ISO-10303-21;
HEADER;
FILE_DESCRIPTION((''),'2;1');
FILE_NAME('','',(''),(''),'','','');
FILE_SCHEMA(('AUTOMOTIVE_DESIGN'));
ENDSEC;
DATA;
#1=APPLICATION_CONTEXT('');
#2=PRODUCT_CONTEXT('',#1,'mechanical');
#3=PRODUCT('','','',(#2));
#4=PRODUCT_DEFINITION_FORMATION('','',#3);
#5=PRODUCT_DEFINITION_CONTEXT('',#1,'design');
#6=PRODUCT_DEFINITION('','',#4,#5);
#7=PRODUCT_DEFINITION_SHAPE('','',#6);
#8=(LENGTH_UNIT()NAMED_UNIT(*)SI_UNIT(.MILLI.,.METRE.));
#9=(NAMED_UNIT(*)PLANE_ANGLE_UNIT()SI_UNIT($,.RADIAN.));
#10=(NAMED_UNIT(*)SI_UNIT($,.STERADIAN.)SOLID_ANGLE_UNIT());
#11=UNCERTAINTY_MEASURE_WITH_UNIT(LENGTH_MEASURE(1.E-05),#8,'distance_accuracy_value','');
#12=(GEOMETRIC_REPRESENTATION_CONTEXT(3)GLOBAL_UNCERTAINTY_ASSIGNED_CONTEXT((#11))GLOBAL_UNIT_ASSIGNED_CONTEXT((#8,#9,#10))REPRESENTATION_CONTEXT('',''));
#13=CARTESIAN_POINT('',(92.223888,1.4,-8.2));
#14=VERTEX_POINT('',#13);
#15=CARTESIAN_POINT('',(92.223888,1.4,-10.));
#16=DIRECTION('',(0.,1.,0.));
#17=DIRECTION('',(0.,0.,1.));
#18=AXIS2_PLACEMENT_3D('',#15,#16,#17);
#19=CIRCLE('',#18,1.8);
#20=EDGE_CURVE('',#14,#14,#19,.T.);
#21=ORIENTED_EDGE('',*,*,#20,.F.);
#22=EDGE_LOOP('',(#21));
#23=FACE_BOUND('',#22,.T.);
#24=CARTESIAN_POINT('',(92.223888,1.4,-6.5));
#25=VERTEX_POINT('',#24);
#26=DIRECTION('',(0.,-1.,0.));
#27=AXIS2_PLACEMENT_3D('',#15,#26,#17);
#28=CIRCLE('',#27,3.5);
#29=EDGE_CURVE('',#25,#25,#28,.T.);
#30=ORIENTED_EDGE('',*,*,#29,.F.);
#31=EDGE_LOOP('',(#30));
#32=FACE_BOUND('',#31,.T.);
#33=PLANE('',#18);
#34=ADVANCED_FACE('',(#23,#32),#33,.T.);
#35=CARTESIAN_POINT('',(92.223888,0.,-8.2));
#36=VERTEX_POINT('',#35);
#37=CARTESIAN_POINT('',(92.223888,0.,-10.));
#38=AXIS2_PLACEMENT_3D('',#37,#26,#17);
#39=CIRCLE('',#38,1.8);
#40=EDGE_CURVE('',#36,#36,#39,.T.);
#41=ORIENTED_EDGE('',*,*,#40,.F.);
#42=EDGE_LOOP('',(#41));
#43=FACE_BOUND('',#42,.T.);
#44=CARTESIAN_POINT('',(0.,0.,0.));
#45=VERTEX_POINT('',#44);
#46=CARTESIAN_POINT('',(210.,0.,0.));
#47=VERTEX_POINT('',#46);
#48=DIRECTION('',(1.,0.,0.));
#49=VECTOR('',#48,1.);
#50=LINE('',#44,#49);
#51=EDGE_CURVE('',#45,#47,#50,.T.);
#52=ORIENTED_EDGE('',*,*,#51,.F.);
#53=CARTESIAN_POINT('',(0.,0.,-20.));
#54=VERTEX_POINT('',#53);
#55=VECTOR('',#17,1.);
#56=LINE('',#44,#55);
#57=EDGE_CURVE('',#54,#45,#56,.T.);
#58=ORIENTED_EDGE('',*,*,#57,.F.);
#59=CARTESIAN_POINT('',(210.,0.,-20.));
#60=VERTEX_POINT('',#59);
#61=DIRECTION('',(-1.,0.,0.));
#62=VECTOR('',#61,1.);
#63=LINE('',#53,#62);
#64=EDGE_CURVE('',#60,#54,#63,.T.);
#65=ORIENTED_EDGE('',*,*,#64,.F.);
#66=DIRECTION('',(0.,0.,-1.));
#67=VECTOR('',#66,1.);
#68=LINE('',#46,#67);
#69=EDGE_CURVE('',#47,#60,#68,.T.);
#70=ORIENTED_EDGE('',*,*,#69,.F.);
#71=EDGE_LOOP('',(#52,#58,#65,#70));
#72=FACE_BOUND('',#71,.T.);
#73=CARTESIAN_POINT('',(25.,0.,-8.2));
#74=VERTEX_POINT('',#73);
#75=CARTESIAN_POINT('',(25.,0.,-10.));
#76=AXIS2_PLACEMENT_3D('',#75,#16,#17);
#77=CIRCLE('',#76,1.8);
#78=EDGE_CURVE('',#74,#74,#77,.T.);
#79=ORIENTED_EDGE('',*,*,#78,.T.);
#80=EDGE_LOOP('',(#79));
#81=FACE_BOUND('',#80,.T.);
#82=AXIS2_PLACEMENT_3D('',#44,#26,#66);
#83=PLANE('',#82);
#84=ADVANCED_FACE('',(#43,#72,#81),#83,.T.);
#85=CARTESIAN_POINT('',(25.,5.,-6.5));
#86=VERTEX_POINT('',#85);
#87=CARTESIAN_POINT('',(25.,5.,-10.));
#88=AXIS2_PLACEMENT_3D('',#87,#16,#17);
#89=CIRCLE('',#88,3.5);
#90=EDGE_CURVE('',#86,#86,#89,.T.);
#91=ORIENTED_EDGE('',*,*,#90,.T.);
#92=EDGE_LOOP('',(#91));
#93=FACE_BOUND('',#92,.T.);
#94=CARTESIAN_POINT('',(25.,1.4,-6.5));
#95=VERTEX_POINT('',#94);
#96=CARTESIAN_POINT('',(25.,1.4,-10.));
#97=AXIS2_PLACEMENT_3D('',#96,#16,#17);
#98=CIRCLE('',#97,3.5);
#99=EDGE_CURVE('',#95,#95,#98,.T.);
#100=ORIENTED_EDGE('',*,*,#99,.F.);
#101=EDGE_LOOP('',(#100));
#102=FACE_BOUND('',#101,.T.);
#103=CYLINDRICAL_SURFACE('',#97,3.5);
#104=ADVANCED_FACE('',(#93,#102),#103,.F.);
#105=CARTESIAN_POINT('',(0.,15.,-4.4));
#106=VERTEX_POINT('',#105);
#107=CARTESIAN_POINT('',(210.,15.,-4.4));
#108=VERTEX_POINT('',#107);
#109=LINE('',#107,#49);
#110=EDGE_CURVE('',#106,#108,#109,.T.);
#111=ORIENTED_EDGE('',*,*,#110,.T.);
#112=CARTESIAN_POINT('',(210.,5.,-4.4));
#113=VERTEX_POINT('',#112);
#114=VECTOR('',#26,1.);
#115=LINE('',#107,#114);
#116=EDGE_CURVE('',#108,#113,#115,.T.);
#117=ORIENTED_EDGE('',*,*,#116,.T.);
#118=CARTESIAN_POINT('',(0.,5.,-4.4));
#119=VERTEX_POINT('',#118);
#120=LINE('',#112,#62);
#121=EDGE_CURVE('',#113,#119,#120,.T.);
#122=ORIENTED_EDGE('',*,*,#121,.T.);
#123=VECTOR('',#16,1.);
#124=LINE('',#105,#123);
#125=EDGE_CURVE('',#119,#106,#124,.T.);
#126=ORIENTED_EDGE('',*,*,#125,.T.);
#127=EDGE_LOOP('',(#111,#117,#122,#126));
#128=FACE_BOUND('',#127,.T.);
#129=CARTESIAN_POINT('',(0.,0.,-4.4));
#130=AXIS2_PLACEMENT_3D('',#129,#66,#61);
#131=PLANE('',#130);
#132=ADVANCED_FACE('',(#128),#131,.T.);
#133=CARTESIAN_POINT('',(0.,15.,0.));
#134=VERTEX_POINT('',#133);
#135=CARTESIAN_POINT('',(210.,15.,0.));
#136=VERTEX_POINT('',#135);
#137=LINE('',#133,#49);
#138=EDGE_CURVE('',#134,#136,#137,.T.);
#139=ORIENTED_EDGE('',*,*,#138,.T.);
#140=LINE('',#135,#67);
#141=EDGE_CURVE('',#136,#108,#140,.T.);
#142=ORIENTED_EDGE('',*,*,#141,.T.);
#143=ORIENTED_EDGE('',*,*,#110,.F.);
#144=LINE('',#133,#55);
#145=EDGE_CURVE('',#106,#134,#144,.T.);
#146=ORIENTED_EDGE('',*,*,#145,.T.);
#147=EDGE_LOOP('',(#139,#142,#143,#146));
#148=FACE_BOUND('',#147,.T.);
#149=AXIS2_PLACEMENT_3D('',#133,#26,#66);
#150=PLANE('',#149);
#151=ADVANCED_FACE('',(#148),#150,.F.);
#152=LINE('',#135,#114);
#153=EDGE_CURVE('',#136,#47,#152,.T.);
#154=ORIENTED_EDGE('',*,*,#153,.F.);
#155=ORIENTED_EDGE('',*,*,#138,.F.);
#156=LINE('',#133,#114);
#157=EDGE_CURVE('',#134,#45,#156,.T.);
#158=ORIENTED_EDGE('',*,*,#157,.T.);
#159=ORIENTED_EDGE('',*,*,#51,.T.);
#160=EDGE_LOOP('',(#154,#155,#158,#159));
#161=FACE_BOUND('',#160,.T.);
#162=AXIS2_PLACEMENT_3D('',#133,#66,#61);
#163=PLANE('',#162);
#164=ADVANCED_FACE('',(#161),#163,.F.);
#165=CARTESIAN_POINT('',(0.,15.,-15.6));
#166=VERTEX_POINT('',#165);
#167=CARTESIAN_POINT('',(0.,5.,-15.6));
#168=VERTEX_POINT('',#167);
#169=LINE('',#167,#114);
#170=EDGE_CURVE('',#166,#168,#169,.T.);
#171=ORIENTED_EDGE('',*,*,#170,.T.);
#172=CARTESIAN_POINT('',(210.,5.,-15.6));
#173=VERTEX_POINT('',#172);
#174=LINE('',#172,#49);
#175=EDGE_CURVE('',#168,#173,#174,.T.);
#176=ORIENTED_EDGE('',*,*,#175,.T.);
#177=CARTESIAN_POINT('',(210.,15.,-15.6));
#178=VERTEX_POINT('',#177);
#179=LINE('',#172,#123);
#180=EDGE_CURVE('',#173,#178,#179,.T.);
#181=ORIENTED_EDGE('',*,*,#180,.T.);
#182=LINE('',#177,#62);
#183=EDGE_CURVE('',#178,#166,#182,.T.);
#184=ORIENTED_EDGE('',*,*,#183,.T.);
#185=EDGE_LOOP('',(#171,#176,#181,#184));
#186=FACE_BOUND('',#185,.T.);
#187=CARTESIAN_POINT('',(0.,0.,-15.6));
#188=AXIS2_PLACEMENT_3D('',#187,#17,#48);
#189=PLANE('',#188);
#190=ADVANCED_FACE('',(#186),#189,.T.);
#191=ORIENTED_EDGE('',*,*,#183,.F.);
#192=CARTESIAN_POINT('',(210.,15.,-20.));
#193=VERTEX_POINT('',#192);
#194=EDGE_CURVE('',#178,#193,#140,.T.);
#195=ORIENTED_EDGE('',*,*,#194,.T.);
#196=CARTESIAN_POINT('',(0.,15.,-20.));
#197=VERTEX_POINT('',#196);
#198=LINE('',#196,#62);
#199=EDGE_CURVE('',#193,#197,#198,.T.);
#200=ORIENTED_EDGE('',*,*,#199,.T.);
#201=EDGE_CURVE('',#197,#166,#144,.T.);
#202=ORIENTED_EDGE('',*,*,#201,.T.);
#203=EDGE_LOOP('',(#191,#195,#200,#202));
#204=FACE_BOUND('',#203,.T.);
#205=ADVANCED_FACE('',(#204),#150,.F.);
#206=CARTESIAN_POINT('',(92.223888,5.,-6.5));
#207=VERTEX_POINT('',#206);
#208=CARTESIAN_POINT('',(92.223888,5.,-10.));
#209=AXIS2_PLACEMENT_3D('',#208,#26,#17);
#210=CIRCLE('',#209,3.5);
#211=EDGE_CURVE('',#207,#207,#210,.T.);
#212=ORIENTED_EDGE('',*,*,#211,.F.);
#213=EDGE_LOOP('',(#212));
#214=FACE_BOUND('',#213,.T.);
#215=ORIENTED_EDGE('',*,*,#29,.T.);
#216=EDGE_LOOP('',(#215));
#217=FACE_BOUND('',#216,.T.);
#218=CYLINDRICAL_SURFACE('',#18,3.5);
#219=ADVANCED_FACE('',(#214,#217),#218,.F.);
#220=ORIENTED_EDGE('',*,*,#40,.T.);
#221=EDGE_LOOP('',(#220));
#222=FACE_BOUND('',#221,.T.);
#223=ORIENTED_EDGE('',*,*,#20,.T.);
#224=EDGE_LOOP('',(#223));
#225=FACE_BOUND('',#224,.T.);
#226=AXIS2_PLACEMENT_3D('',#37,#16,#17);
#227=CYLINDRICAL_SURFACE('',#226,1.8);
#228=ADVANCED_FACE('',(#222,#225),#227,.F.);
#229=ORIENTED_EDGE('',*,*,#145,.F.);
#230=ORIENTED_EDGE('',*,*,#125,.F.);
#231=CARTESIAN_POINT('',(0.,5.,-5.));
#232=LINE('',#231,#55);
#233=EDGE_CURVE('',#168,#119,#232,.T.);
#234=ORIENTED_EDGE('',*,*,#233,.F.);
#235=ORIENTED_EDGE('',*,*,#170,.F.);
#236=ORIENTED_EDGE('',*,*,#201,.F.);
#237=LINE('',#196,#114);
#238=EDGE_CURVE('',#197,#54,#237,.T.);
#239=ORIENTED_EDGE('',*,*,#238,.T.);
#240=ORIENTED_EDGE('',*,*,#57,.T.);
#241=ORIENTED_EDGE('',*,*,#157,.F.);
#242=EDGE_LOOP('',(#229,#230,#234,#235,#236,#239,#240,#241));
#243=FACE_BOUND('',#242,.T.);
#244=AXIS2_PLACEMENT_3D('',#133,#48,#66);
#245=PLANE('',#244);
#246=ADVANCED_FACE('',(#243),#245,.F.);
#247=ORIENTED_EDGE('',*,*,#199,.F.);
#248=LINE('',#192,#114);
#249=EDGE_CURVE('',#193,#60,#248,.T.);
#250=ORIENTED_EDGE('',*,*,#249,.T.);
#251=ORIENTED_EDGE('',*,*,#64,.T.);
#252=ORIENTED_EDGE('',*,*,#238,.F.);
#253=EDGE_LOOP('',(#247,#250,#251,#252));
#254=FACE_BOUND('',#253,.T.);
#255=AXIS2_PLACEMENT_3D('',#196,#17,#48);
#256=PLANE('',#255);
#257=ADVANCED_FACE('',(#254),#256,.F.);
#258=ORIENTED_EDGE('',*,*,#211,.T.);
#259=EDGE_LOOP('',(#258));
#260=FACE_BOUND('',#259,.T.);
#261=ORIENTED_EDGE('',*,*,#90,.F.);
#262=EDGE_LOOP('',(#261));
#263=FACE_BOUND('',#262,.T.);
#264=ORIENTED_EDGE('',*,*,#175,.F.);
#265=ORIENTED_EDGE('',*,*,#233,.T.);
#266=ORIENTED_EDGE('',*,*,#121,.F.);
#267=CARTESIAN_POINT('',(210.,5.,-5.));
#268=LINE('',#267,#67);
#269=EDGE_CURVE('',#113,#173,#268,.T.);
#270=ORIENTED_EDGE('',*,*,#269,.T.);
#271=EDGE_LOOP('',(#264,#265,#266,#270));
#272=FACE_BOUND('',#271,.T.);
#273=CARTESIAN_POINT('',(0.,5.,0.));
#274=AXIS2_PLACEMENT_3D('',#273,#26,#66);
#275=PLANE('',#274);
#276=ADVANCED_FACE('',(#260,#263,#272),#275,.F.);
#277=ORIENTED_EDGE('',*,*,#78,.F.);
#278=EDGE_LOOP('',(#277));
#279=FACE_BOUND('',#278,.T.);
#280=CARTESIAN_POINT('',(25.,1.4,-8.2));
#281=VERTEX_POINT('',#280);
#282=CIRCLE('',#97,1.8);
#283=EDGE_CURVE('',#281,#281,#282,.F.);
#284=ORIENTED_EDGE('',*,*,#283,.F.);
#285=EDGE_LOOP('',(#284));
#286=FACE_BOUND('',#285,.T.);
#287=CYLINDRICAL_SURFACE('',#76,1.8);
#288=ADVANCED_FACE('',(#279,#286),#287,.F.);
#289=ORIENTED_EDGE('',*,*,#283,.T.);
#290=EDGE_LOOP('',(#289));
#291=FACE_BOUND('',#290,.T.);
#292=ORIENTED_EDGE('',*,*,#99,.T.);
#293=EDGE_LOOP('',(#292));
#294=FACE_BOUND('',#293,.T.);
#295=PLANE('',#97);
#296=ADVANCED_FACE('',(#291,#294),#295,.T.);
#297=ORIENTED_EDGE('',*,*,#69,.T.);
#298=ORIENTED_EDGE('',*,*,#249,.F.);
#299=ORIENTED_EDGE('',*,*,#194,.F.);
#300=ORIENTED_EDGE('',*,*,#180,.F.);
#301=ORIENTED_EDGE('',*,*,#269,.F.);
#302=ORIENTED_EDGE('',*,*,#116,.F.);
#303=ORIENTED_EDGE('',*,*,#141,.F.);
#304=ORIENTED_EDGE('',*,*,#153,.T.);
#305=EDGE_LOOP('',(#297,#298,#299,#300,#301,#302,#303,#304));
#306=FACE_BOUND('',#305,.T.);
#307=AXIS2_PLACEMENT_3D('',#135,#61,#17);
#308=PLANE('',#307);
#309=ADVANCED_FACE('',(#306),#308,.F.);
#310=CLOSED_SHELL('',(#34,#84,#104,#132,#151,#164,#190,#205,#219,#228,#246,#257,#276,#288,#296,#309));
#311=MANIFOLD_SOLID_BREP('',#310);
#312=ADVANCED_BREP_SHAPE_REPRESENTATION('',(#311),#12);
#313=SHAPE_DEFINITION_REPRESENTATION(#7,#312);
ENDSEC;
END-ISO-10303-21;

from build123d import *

# Parameters (mm, degrees)
SKETCH1_W           = 210
SKETCH1_H           = 20
BOSS_EXTRUDE1_DEPTH = 15
SKETCH2_W           = 210
SKETCH2_H           = 10
CUT_EXTRUDE1_DEPTH  = 10
SKETCH3_R           = 1.8
CUT_EXTRUDE2_DEPTH  = 6
SKETCH5_R           = 3.5
CUT_EXTRUDE3_DEPTH  = 3.6
SKETCH6_W           = 210
SKETCH6_H           = 10
CUT_EXTRUDE4_DEPTH  = 0.6
SKETCH7_W           = 210
SKETCH7_H           = 10
CUT_EXTRUDE5_DEPTH  = 0.6


with BuildPart() as part:
    # Sketch1 → Boss-Extrude1 (new body)
    with BuildSketch(Plane(origin=(0, 0, 0), x_dir=(1, 0, 0), z_dir=(0, 1, 0))):
        with Locations((105, 10)):
            Rectangle(SKETCH1_W, SKETCH1_H)
    extrude(amount=BOSS_EXTRUDE1_DEPTH)

    # Sketch2 → Cut-Extrude1 (cut)
    with BuildSketch(Plane(origin=(0, 15, 0), x_dir=(1, 0, 0), z_dir=(0, 1, 0))):
        with Locations((105, 10)):
            Rectangle(SKETCH2_W, SKETCH2_H)
    extrude(amount=-CUT_EXTRUDE1_DEPTH, mode=Mode.SUBTRACT)

    # Sketch3 → Cut-Extrude2 (cut, through all)
    with BuildSketch(Plane(origin=(0, 5, 0), x_dir=(1, 0, 0), z_dir=(0, 1, 0))):
        with Locations((25, 10)):
            Circle(SKETCH3_R)
    cut_extrude2 = extrude(amount=-CUT_EXTRUDE2_DEPTH, mode=Mode.SUBTRACT)

    # Sketch5 → Cut-Extrude3 (cut)
    with BuildSketch(Plane(origin=(0, 5, 0), x_dir=(1, 0, 0), z_dir=(0, 1, 0))):
        with Locations((25, 10)):
            Circle(SKETCH5_R)
    cut_extrude3 = extrude(amount=-CUT_EXTRUDE3_DEPTH, mode=Mode.SUBTRACT)

    # Mirror2: Cut-Extrude2, Cut-Extrude3 across plane
    add(cut_extrude2.mirror(Plane(origin=(58.611943839, 0, 0), x_dir=(0, 0, 1), z_dir=(1, 0, 0))), mode=Mode.SUBTRACT)
    add(cut_extrude3.mirror(Plane(origin=(58.611943839, 0, 0), x_dir=(0, 0, 1), z_dir=(1, 0, 0))), mode=Mode.SUBTRACT)

    # Sketch6 → Cut-Extrude4 (cut)
    with BuildSketch(Plane.XY.offset(-15)):
        with Locations((105, 10)):
            Rectangle(SKETCH6_W, SKETCH6_H)
    extrude(amount=-CUT_EXTRUDE4_DEPTH, mode=Mode.SUBTRACT)

    # Sketch7 → Cut-Extrude5 (cut)
    with BuildSketch(Plane(origin=(0, 0, -5), x_dir=(-1, 0, 0), z_dir=(0, 0, -1))):
        with Locations((-105, 10)):
            Rectangle(SKETCH7_W, SKETCH7_H)
    extrude(amount=-CUT_EXTRUDE5_DEPTH, mode=Mode.SUBTRACT)


solid = part.part
